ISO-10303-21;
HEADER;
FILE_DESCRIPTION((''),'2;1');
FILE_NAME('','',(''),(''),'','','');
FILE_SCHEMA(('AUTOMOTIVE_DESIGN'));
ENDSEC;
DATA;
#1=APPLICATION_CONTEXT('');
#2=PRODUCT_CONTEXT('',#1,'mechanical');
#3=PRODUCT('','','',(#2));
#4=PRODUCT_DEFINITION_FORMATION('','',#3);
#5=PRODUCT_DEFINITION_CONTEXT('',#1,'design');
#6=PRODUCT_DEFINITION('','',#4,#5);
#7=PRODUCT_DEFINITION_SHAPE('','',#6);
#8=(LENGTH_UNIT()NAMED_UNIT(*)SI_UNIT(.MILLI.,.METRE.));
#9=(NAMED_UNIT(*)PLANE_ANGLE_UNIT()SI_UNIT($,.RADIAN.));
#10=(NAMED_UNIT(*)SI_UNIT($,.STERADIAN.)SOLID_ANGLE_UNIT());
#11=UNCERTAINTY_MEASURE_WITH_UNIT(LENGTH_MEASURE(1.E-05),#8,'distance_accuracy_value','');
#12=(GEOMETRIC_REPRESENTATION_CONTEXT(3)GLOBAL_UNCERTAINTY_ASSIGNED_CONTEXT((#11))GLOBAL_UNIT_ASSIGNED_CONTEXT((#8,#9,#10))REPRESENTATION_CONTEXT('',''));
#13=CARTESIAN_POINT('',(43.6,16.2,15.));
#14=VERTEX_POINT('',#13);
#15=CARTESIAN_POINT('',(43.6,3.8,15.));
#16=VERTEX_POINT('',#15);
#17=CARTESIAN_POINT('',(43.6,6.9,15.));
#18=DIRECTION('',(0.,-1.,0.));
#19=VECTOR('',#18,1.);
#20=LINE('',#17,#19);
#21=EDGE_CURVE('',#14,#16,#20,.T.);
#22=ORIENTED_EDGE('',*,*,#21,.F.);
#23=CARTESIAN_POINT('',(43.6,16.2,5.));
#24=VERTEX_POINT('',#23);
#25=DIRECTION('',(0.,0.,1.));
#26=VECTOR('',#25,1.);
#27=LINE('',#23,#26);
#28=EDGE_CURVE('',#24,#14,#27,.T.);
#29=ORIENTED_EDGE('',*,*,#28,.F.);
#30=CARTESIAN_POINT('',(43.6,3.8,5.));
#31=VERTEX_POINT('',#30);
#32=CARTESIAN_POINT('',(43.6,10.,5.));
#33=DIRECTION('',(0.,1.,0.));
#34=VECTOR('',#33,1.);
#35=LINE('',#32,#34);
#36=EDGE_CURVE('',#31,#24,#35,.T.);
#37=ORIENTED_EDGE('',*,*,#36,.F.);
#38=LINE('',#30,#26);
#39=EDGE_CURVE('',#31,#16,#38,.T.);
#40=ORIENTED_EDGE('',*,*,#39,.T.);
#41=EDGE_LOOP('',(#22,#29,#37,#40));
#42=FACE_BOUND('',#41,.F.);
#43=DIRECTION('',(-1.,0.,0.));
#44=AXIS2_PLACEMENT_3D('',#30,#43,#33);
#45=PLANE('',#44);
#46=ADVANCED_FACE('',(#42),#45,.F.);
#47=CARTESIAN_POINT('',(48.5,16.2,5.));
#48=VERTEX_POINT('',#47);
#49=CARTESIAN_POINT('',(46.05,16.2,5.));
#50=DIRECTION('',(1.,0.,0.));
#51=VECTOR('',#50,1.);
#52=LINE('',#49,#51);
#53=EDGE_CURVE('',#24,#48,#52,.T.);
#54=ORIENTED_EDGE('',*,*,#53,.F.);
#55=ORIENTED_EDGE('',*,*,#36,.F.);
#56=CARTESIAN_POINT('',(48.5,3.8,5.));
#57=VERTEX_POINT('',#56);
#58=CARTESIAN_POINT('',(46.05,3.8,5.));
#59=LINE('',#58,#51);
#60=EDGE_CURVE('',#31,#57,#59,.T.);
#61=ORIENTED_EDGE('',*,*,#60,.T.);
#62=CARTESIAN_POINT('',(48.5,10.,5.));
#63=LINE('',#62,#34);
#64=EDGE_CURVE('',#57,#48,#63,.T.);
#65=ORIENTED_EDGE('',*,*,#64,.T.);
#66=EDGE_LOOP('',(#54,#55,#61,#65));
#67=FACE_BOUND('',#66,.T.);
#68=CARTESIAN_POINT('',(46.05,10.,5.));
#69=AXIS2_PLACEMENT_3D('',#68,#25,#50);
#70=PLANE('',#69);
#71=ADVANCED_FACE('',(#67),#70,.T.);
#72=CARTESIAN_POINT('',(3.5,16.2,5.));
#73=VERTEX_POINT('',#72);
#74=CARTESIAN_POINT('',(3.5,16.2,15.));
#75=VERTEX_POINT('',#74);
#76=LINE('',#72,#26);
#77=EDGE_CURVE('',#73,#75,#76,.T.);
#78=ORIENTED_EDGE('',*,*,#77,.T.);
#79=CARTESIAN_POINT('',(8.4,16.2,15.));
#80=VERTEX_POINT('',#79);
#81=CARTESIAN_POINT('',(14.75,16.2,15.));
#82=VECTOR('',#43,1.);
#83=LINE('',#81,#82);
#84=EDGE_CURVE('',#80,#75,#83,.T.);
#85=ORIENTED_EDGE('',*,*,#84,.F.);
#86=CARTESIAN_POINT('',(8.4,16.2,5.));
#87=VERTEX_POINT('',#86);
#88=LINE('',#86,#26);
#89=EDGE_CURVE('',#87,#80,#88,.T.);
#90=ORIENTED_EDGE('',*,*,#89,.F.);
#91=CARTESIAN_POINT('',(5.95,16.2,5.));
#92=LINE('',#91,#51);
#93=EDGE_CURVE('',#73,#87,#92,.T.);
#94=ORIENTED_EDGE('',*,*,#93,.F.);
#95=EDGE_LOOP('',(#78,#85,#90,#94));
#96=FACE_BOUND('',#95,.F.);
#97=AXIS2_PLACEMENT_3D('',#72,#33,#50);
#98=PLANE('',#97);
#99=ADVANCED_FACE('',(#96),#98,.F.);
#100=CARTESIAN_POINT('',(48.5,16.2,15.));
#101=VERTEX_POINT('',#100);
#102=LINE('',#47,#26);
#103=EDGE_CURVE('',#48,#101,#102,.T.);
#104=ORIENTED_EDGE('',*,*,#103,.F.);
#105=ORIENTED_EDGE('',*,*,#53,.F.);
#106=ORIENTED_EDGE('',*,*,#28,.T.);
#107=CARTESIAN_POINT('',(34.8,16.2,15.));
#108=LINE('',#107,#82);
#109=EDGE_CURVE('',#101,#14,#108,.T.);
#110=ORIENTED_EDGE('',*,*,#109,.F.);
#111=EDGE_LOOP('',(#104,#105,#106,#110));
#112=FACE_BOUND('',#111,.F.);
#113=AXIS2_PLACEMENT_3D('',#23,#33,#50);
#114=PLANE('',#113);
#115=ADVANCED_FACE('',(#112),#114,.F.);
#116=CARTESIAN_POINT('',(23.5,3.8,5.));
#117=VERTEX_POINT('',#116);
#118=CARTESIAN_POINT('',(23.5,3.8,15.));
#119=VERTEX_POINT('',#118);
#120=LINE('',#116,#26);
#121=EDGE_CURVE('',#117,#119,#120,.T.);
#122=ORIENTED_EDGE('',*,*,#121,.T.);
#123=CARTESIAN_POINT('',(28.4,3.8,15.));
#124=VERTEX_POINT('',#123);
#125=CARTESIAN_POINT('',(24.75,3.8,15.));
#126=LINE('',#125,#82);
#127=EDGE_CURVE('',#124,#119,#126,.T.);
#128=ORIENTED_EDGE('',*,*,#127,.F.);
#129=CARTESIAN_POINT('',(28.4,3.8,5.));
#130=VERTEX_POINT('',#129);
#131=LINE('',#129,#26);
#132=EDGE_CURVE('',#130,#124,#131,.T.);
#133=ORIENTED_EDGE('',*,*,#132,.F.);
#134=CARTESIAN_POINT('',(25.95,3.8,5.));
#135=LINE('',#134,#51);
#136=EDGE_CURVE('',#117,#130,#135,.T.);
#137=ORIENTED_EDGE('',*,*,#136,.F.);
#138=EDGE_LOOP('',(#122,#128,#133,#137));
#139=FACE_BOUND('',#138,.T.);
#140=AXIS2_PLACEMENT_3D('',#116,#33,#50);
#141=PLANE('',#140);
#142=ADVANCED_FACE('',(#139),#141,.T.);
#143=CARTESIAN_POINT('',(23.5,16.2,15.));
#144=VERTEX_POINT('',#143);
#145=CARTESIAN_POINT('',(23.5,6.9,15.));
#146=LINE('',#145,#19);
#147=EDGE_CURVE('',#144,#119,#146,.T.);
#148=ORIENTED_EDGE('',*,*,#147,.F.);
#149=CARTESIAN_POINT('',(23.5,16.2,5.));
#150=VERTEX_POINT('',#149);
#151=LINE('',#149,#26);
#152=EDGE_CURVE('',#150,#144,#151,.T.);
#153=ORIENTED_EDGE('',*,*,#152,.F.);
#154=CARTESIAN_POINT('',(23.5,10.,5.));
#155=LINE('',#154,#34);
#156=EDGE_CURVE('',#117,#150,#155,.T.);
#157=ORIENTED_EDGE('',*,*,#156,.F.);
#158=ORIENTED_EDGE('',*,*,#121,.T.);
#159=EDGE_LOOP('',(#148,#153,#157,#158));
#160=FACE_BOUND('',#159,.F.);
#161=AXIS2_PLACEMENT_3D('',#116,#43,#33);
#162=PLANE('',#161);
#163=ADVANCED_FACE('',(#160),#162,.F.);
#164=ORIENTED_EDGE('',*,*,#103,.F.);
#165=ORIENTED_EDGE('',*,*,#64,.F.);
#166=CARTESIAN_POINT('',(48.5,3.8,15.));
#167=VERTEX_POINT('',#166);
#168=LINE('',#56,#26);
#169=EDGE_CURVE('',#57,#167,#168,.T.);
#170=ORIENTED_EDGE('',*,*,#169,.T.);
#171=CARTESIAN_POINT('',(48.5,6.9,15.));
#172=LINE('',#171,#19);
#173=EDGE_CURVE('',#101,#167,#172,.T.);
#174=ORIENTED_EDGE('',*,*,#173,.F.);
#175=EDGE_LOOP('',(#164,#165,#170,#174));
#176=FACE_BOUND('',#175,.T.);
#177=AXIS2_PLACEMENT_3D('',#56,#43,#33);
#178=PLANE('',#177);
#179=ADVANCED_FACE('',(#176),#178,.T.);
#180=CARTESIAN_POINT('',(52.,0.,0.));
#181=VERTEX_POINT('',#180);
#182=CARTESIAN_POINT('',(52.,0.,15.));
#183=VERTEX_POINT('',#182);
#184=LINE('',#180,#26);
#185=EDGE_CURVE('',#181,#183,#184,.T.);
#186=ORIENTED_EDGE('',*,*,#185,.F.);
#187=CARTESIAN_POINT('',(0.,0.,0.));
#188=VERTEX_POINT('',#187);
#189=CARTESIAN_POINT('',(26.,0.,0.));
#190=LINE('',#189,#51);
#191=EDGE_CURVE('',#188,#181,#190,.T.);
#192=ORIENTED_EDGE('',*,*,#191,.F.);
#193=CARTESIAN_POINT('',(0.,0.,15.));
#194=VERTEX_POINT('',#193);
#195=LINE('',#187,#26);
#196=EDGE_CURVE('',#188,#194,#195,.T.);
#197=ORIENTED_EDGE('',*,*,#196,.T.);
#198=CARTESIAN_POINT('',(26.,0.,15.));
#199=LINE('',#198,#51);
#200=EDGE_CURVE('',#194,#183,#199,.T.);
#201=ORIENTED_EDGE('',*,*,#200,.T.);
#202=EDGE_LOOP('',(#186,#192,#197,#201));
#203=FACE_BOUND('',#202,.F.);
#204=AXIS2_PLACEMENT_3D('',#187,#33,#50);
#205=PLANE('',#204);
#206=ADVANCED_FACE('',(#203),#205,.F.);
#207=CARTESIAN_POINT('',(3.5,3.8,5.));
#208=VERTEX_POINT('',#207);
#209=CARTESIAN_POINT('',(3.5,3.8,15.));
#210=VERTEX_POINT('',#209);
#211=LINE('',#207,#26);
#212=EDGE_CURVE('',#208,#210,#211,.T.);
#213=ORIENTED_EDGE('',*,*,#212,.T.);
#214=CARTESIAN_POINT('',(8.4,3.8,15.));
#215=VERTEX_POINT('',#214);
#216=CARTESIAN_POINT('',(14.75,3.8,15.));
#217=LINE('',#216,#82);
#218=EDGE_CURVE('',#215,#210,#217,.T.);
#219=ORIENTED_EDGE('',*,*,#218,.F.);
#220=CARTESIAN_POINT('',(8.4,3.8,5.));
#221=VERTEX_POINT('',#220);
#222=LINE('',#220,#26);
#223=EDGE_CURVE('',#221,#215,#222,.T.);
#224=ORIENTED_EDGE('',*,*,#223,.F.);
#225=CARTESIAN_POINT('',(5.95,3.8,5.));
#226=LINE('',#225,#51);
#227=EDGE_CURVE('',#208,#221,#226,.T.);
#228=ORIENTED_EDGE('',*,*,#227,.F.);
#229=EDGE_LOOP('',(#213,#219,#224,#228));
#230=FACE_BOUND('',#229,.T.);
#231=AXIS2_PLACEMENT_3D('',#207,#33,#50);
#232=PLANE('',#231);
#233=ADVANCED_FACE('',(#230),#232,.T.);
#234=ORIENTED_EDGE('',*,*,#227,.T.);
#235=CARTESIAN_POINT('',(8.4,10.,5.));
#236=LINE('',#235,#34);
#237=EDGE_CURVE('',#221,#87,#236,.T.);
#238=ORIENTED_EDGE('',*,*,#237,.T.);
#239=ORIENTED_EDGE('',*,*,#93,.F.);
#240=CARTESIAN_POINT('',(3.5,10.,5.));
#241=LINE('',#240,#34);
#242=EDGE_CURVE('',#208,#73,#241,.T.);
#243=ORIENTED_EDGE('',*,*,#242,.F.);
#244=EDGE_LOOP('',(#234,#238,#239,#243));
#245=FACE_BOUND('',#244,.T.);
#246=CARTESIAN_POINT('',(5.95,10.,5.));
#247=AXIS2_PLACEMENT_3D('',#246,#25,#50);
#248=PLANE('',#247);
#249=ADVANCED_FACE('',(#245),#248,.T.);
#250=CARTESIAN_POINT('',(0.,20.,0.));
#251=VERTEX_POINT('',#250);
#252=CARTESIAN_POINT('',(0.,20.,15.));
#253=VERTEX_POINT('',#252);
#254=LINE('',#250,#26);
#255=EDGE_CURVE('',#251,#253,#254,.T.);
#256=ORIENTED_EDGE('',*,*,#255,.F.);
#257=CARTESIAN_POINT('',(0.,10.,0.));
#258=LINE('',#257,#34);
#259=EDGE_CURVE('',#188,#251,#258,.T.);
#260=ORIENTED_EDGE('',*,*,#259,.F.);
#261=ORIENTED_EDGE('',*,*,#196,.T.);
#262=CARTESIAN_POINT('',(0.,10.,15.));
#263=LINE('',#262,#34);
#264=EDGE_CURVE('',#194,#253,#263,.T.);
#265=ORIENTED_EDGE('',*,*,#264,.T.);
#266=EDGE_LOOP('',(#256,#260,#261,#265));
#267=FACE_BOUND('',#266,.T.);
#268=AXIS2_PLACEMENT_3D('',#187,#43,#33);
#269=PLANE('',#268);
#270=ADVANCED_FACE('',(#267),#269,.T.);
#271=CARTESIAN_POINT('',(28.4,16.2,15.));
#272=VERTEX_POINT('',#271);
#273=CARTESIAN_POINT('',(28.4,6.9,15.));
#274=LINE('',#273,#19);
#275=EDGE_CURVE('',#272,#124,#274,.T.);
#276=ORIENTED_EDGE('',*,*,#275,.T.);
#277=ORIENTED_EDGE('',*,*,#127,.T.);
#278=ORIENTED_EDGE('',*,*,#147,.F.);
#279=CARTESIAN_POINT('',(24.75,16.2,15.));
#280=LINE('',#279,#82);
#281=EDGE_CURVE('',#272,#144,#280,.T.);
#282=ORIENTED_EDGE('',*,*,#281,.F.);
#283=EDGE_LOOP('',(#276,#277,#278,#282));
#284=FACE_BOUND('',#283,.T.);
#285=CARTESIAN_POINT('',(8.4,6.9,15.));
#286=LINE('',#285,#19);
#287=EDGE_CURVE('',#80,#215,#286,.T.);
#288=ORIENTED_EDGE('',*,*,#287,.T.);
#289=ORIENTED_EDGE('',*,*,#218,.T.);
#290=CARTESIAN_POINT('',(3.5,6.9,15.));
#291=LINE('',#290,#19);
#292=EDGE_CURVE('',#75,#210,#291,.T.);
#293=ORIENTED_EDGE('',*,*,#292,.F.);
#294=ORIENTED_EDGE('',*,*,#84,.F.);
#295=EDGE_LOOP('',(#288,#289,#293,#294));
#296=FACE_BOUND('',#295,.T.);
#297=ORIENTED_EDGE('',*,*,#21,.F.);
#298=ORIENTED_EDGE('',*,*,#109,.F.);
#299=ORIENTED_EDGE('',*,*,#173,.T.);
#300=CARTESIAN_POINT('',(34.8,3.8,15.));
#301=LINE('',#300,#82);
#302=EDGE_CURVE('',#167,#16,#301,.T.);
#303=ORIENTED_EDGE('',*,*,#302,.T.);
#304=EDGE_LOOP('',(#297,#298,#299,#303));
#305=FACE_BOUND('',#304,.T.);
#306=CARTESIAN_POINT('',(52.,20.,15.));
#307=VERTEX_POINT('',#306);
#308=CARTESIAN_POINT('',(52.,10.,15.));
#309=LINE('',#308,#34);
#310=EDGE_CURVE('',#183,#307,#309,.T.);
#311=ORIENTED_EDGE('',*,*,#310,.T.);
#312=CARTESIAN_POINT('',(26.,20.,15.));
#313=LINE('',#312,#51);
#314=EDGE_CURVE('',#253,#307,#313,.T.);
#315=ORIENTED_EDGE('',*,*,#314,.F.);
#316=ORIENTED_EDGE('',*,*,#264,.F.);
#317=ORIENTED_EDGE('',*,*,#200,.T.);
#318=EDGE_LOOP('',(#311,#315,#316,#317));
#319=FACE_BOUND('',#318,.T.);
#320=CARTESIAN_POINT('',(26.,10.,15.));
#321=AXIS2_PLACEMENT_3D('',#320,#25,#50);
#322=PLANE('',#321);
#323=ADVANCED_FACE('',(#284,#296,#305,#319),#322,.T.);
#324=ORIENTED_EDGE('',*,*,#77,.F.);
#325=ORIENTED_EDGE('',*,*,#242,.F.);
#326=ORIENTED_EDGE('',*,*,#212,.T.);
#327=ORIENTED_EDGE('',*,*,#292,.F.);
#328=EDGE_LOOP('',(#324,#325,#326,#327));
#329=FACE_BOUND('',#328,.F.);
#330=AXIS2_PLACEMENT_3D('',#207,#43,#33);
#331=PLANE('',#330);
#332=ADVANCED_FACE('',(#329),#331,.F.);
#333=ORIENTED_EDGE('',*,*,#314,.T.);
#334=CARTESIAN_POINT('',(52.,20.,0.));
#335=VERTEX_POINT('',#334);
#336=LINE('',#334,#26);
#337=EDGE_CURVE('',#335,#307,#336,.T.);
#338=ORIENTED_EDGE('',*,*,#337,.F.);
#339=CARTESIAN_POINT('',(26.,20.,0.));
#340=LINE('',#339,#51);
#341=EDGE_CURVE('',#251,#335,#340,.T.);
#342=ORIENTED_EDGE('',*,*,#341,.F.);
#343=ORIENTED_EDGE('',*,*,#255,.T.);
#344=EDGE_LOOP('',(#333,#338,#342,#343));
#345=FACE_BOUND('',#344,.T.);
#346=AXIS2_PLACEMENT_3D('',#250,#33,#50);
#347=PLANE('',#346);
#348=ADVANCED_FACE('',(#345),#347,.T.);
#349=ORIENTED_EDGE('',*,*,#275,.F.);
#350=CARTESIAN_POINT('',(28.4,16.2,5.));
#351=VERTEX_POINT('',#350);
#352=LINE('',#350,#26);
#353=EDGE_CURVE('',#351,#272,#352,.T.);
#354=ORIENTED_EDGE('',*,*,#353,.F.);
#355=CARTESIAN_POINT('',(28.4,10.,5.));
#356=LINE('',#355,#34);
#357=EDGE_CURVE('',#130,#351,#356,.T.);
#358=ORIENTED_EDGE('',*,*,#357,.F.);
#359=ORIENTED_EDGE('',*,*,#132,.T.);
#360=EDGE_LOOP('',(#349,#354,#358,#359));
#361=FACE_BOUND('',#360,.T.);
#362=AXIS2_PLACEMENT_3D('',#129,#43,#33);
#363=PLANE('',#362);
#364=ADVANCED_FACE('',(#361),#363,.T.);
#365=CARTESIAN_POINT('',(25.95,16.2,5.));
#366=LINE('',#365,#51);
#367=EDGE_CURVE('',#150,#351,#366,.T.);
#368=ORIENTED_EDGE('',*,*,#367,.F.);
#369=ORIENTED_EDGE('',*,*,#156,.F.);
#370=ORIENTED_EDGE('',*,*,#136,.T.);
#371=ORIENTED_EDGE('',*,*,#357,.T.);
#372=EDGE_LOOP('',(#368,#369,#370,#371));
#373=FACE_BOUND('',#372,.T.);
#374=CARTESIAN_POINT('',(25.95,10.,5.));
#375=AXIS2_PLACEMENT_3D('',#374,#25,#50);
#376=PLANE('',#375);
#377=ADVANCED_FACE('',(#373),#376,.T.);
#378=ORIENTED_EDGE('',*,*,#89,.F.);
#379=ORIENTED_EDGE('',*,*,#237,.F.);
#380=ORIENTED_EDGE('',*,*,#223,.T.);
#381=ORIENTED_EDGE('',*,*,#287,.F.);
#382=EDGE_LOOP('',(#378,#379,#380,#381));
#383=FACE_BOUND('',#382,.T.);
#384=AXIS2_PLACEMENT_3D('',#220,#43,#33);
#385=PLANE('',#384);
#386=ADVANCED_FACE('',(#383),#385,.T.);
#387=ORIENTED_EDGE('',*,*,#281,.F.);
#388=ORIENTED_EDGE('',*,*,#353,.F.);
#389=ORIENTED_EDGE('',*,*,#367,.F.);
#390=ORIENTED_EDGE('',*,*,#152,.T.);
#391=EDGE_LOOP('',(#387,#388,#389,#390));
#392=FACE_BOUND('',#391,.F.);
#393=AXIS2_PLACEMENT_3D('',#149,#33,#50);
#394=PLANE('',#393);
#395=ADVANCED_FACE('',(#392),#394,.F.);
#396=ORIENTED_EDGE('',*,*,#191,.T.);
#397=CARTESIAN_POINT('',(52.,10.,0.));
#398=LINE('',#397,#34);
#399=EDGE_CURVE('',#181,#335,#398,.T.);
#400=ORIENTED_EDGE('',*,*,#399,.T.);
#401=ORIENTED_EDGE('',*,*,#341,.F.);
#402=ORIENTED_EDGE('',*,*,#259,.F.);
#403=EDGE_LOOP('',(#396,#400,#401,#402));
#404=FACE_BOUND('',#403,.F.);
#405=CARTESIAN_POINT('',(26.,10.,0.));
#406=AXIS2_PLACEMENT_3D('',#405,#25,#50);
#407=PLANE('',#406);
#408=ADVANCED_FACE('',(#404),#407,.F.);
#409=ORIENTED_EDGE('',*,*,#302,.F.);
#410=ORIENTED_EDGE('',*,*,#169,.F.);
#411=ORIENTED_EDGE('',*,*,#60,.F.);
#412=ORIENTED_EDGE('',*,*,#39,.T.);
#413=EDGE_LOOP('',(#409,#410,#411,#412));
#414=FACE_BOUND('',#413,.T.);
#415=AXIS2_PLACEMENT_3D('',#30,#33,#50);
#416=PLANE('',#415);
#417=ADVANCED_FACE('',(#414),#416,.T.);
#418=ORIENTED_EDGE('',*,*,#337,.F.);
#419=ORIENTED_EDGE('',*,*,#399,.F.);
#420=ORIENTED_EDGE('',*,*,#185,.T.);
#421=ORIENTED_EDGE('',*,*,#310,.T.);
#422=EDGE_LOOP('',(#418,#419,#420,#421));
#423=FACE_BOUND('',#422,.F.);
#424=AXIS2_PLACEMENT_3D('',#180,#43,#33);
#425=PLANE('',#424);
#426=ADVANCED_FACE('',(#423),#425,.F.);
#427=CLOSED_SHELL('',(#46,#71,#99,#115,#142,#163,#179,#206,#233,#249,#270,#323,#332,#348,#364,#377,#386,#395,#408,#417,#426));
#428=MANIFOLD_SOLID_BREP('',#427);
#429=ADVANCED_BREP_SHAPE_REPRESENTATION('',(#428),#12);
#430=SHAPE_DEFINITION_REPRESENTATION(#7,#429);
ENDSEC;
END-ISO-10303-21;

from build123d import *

# Parameters (mm, degrees)
BOX003_W     = 4.9
BOX003_H     = 12.4
BOX003_DEPTH = 15
BOX002_W     = 4.9
BOX002_H     = 12.4
BOX002_DEPTH = 15
BOX001_W     = 4.9
BOX001_H     = 12.4
BOX001_DEPTH = 15
BOX_W        = 52
BOX_H        = 20
BOX_DEPTH    = 15


with BuildPart() as cubo003:
    # Box003 → Box003 (new body)
    with BuildSketch(Plane(origin=(43.6, 3.8, 5), x_dir=(1, 0, 0), z_dir=(0, 0, 1))):
        with Locations((2.45, 6.2)):
            Rectangle(BOX003_W, BOX003_H)
    extrude(amount=BOX003_DEPTH)


with BuildPart() as cubo002:
    # Box002 → Box002 (new body)
    with BuildSketch(Plane(origin=(23.5, 3.8, 5), x_dir=(1, 0, 0), z_dir=(0, 0, 1))):
        with Locations((2.45, 6.2)):
            Rectangle(BOX002_W, BOX002_H)
    extrude(amount=BOX002_DEPTH)


with BuildPart() as cubo001:
    # Box001 → Box001 (new body)
    with BuildSketch(Plane(origin=(3.5, 3.8, 5), x_dir=(1, 0, 0), z_dir=(0, 0, 1))):
        with Locations((2.45, 6.2)):
            Rectangle(BOX001_W, BOX001_H)
    extrude(amount=BOX001_DEPTH)


with BuildPart() as cut002:
    # Box → Box (new body)
    with BuildSketch(Plane.XY):
        with Locations((26, 10)):
            Rectangle(BOX_W, BOX_H)
    extrude(amount=BOX_DEPTH)

    # Cut: cut Cubo001
    add(cubo001.part, mode=Mode.SUBTRACT)

    # Cut001: cut Cubo002
    add(cubo002.part, mode=Mode.SUBTRACT)

    # Cut002: cut Cubo003
    add(cubo003.part, mode=Mode.SUBTRACT)


solid = cut002.part
